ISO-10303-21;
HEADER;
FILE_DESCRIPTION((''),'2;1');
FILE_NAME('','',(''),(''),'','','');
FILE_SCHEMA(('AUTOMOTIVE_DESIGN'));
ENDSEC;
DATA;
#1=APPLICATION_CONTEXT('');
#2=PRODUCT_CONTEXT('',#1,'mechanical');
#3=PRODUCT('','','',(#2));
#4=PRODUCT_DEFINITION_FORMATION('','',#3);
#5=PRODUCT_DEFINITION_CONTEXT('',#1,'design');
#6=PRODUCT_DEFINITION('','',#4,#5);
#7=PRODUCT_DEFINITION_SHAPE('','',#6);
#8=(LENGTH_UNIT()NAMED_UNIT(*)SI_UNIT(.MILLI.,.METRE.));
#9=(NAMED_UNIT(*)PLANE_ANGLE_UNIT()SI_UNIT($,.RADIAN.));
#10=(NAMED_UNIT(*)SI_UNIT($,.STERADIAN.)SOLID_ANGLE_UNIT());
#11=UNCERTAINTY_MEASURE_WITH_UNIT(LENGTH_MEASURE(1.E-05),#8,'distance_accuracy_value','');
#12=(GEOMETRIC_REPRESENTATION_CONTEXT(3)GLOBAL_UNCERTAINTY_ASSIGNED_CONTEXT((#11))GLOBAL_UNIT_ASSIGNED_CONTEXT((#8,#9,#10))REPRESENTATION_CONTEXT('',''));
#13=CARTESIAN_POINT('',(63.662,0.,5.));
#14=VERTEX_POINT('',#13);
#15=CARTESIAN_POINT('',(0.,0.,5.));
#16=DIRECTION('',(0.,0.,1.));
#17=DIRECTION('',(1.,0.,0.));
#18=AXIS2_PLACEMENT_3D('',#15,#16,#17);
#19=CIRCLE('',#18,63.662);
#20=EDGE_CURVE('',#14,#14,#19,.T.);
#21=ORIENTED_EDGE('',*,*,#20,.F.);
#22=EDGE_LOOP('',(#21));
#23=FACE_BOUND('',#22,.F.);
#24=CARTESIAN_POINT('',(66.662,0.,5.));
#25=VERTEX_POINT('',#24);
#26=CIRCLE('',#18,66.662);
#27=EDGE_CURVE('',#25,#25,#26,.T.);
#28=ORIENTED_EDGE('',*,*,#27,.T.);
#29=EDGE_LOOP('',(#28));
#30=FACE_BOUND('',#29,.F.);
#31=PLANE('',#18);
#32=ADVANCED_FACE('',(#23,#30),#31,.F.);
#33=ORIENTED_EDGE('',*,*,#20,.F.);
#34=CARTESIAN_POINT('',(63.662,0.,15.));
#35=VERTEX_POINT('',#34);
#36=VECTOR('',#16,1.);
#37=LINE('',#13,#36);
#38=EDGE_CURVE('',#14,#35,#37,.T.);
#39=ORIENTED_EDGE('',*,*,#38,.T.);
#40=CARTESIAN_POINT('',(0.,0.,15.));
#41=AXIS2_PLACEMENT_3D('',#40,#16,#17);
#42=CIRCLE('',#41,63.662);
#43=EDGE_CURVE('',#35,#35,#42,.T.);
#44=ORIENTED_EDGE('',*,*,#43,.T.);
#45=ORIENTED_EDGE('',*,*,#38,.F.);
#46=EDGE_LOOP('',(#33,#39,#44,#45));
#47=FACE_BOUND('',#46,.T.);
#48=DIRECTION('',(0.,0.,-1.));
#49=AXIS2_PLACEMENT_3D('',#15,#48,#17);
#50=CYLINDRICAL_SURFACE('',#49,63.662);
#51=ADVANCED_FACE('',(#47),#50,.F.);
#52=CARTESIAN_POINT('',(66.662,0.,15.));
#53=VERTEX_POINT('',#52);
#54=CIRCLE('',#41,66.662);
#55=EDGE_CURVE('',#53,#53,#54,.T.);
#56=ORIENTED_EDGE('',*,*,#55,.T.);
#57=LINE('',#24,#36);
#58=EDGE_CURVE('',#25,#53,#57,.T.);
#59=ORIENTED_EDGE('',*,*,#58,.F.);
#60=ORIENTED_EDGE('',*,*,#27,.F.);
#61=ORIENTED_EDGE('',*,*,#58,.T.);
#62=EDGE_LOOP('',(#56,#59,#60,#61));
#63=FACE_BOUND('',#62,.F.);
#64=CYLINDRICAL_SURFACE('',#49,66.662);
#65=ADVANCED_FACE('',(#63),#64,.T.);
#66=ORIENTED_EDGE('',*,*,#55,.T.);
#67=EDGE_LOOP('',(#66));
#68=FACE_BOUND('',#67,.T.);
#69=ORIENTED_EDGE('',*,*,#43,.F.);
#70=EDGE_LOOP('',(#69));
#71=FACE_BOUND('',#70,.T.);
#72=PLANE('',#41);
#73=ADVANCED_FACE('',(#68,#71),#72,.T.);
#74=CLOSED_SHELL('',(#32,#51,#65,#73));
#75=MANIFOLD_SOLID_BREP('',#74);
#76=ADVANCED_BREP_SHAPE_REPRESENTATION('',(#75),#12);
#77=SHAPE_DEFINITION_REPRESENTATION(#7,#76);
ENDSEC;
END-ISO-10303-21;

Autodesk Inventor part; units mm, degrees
ref_plane "YZ Plane" through (0, 0, 0) normal (1, 0, 0) x (0, 1, 0)
ref_plane "XZ Plane" through (0, 0, 0) normal (0, 1, 0) x (-1, 0, 0)
ref_plane "XY Plane" through (0, 0, 0) normal (0, 0, 1) x (1, 0, 0)
ref_plane "Work Plane1" through (0, 0, 5) normal (0, 0, 1) x (1, 0, 0)
sketch "Sketch1" plane through (0, 0, 5) normal (0, 0, 1) x (1, 0, 0)
  circle A0 centre (0, 0) radius 63.662
  circle A1 centre (0, 0) radius 66.662
  dimension "d0" = 127.3239
  dimension "d1" = 3
extrude "Extrusion1" add sketch "Sketch1" along normal blind 10
properties part number "LedStrip_24"
